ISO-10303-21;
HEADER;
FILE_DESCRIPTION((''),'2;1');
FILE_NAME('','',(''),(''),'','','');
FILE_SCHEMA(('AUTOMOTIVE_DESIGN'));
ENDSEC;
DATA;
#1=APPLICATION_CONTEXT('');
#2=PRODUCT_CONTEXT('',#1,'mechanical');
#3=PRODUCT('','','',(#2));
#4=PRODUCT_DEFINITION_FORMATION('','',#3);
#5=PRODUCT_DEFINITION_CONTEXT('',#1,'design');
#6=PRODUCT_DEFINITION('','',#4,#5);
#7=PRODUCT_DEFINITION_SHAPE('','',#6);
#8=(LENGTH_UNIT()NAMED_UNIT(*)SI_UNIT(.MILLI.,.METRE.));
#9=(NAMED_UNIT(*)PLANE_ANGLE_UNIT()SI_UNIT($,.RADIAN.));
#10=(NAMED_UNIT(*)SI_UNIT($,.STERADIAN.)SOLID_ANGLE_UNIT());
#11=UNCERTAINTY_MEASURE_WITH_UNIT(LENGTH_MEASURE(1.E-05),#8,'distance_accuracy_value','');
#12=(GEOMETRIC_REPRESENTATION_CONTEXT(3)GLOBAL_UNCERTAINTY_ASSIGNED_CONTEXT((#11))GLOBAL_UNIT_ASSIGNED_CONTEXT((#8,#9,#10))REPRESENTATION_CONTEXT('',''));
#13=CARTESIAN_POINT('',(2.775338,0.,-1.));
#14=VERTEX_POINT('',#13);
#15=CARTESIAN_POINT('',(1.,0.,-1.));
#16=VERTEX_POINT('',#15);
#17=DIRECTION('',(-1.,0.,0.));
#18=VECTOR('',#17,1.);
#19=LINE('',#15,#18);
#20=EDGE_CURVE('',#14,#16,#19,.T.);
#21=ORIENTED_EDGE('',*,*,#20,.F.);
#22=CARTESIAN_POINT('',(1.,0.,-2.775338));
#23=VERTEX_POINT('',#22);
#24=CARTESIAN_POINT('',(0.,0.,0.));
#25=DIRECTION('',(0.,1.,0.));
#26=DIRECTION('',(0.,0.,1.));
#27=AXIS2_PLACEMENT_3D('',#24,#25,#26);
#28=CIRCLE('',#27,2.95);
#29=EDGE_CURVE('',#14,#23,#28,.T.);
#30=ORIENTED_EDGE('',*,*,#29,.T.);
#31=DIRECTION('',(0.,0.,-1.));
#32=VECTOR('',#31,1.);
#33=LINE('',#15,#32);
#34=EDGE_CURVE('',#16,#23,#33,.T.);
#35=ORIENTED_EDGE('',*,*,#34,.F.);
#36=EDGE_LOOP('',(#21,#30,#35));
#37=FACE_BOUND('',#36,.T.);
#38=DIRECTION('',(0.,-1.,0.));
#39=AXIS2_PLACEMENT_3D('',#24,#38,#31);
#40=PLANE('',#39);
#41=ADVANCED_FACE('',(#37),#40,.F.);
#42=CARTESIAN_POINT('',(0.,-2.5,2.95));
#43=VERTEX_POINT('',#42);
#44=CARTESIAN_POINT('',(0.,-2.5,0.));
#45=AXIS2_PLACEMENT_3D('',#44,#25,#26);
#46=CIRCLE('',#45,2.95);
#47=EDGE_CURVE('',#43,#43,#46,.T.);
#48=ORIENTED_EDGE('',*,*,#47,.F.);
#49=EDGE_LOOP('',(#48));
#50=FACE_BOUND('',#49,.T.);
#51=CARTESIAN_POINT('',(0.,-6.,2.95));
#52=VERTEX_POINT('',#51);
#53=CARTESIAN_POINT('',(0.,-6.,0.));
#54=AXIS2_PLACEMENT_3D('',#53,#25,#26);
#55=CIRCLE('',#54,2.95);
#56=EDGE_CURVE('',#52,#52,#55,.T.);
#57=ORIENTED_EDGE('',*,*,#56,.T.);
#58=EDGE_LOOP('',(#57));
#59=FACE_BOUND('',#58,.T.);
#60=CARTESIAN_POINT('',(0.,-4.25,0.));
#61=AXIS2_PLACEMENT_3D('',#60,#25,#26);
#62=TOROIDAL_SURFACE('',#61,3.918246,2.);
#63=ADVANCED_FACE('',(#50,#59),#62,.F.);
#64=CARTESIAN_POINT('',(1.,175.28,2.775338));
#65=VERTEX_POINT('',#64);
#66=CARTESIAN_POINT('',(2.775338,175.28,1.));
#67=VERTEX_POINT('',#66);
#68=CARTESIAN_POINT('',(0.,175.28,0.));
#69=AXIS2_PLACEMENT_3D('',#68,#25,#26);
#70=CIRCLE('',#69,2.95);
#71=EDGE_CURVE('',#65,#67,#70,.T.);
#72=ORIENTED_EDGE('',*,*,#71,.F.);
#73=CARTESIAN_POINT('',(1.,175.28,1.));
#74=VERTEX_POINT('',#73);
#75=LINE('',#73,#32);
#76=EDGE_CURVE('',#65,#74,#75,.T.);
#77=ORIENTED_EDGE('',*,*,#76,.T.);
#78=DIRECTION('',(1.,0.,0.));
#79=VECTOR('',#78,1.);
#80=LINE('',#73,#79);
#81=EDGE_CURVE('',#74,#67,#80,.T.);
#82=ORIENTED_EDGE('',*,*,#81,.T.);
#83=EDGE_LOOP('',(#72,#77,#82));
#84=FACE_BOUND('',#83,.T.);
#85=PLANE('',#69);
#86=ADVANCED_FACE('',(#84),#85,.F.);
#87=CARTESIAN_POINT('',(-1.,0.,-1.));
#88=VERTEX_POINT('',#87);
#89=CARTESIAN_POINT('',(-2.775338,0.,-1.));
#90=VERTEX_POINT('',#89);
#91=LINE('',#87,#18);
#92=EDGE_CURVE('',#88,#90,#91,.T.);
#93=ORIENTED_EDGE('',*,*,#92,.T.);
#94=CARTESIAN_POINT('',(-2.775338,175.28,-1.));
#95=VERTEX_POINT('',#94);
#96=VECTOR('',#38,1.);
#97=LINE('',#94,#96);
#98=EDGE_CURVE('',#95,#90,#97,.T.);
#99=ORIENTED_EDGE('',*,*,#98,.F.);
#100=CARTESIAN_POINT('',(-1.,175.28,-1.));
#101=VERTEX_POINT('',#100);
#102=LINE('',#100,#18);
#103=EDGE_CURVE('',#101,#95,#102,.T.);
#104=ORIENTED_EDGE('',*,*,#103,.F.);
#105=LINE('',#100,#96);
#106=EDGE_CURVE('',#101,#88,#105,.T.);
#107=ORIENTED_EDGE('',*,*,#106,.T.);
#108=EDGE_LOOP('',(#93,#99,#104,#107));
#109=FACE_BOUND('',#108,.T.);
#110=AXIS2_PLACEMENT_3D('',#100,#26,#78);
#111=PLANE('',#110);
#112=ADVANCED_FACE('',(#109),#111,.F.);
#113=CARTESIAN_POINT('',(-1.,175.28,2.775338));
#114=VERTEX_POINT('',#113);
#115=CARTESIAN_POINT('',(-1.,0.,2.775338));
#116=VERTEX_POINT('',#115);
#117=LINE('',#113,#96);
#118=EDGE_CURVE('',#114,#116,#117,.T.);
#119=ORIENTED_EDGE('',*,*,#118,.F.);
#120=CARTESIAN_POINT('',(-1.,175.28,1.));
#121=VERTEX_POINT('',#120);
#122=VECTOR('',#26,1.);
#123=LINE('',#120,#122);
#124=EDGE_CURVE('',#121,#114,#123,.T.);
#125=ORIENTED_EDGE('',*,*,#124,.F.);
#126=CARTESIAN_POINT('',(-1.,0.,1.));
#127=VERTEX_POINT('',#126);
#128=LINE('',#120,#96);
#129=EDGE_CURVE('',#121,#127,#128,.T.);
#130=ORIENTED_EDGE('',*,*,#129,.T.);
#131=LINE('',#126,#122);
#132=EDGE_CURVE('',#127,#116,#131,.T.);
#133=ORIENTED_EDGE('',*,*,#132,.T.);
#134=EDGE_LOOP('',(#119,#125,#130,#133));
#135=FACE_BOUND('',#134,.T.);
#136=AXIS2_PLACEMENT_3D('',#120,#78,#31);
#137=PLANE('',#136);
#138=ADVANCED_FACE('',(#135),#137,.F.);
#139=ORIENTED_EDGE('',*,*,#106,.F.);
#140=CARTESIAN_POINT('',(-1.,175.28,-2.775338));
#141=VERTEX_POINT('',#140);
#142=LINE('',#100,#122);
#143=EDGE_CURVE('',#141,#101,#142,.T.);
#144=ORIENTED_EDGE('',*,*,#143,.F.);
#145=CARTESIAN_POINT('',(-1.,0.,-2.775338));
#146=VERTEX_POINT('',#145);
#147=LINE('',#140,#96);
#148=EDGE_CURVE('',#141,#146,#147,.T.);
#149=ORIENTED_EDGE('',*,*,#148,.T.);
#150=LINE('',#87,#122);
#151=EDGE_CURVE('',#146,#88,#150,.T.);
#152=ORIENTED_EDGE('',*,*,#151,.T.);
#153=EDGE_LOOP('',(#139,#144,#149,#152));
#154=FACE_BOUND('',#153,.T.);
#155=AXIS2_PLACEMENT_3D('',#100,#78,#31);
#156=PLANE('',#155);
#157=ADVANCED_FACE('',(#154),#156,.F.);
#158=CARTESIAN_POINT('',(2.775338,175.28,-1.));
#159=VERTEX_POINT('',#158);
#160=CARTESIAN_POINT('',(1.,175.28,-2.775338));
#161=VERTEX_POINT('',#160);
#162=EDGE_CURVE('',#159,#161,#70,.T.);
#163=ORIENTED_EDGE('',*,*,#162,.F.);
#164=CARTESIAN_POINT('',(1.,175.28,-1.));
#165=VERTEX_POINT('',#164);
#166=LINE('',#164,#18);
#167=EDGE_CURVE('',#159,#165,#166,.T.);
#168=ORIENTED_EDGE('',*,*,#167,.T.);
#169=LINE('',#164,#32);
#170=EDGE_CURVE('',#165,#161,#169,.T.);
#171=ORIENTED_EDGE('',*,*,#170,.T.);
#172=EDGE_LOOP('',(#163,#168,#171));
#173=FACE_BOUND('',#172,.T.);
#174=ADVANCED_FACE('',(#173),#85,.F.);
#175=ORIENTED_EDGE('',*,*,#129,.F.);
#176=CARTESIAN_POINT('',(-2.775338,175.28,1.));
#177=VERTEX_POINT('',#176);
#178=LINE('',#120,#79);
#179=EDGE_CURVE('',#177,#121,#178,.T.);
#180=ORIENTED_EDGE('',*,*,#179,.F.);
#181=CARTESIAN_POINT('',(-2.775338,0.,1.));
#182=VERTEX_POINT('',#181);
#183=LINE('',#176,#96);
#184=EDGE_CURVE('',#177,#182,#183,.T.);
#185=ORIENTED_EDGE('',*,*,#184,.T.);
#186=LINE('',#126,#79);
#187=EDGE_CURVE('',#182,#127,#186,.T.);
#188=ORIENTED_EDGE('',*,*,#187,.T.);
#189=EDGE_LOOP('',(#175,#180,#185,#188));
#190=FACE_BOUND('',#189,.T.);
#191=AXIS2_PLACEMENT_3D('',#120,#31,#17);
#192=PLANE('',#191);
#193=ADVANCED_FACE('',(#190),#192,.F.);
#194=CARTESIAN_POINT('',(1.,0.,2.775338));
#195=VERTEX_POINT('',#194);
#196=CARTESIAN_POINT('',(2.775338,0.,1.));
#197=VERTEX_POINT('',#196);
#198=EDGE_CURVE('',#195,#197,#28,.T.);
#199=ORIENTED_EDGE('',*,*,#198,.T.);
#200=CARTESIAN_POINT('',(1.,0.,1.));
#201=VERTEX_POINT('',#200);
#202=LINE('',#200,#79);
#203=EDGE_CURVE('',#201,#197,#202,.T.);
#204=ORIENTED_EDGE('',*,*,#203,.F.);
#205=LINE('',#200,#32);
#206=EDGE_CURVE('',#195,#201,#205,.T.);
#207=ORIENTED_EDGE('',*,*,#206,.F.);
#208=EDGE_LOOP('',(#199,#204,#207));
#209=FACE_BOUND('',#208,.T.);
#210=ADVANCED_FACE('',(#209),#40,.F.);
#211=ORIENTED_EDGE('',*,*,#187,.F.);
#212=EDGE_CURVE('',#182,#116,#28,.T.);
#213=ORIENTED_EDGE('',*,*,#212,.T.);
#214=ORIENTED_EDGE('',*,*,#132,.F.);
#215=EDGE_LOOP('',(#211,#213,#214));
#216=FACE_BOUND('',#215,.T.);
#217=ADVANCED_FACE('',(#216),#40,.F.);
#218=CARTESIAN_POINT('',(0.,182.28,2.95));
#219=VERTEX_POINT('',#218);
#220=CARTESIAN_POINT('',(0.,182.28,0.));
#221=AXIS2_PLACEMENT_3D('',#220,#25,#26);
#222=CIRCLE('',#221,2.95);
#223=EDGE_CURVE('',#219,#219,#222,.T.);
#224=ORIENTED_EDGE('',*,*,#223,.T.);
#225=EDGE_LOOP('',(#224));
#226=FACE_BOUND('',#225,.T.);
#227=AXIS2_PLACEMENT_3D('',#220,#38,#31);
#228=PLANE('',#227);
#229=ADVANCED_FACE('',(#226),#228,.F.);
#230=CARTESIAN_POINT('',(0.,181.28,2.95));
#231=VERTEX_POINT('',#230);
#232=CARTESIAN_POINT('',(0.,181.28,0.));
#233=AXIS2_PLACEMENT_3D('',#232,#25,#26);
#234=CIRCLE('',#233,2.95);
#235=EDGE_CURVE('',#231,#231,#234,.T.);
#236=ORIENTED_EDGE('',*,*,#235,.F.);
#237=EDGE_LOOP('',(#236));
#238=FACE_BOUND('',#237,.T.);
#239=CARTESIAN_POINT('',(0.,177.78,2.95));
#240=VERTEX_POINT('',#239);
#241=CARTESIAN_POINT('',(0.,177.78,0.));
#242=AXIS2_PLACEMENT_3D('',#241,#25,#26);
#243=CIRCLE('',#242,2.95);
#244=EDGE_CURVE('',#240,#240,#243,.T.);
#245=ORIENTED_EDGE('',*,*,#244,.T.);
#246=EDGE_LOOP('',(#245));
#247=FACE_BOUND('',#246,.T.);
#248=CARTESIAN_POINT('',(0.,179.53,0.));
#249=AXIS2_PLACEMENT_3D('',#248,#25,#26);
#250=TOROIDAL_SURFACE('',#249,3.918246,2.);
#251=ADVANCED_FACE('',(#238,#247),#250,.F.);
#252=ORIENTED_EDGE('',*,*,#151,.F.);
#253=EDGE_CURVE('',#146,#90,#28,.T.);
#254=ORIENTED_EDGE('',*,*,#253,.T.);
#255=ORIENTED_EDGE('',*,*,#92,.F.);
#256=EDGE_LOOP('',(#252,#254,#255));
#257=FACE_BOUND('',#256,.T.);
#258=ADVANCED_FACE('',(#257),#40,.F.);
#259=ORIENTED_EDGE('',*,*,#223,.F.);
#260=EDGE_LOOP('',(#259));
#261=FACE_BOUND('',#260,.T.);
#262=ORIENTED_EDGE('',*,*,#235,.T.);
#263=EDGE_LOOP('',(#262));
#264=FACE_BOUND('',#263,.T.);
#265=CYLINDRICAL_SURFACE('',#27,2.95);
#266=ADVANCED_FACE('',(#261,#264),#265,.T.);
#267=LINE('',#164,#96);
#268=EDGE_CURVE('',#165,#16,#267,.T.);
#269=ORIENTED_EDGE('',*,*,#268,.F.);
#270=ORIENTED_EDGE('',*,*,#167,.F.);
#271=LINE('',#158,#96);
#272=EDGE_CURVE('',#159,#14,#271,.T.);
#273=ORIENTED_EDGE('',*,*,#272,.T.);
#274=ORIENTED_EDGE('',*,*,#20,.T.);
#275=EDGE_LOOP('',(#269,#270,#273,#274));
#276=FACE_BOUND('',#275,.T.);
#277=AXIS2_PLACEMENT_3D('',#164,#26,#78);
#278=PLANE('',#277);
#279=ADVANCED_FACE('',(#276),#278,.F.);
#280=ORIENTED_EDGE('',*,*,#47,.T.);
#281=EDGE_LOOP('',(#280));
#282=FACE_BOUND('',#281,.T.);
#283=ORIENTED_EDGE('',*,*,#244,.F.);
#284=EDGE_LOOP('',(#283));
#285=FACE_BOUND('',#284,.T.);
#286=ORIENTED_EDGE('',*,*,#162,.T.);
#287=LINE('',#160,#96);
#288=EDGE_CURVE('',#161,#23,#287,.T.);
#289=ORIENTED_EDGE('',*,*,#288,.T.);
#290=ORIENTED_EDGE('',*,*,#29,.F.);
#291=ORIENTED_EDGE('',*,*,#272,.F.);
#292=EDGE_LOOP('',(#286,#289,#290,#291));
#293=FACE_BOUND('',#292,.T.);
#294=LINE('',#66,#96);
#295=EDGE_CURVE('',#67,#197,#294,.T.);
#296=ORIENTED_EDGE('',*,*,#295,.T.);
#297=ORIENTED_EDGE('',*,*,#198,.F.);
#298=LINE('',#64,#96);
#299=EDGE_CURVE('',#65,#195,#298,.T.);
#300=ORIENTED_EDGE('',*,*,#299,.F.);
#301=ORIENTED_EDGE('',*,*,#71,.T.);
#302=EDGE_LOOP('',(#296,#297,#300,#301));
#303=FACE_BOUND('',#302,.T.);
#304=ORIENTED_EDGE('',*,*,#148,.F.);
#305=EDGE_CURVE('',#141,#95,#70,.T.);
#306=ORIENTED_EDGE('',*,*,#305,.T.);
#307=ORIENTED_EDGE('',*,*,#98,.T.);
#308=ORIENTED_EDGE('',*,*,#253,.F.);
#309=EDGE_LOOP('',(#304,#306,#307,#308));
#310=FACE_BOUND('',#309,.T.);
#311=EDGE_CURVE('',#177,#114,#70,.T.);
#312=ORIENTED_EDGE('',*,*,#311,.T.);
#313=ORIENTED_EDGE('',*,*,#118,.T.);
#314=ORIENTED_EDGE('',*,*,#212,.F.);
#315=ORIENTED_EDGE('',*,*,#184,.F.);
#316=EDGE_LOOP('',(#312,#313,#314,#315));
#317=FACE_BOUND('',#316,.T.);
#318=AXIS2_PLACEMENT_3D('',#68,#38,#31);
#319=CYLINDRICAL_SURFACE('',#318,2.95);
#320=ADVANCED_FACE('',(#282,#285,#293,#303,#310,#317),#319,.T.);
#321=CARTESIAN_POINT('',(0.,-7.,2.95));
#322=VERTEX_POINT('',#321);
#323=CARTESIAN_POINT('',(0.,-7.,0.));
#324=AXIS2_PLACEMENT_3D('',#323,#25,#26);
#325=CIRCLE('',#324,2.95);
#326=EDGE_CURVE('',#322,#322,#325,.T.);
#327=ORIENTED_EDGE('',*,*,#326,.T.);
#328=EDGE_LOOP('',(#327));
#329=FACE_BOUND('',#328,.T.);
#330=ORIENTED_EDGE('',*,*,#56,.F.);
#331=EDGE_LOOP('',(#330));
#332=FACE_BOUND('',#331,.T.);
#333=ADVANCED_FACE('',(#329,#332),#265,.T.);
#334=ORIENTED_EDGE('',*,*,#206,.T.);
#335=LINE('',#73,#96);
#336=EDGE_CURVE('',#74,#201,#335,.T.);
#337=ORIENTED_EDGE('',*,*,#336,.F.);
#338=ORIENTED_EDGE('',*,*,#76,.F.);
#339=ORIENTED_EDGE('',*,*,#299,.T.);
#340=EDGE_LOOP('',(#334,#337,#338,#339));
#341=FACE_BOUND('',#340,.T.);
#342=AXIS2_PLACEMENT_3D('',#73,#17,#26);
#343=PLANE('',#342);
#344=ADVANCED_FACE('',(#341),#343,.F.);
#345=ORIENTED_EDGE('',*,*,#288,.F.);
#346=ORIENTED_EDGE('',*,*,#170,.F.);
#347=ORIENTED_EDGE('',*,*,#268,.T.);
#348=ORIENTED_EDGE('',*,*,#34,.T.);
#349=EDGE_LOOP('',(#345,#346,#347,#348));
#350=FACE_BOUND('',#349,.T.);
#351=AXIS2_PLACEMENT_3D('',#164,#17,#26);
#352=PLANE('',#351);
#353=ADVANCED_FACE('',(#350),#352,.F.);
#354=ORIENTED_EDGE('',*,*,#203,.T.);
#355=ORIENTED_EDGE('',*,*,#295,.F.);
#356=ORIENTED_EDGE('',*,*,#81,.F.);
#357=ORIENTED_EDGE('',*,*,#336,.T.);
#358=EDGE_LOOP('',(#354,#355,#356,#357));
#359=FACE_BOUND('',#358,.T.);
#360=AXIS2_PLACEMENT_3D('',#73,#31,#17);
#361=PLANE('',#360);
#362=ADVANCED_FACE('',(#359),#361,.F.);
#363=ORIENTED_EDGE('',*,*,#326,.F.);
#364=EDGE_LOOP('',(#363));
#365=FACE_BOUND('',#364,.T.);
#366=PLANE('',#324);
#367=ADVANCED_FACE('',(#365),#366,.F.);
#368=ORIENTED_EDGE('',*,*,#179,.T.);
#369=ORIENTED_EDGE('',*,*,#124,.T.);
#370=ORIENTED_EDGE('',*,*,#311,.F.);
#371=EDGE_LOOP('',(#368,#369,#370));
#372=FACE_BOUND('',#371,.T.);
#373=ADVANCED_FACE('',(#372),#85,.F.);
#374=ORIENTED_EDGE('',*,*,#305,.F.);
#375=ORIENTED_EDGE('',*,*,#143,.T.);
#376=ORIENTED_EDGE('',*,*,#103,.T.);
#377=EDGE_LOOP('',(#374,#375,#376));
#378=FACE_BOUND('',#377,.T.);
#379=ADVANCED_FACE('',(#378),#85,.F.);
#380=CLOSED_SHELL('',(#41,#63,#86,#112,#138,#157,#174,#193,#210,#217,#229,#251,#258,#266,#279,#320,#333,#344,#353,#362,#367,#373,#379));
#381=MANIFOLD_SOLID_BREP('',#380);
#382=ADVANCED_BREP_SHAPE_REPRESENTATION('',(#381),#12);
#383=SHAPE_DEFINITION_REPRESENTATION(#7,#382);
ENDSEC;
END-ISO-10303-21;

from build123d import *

# Parameters (mm, degrees)
EXTRUDE_2_DEPTH = 175.28


with BuildPart() as part:
    # 草图1 → 凸台-拉伸2 (new body)
    with BuildSketch(Plane(origin=(0, 0, 0), x_dir=(1, 0, 0), z_dir=(0, 1, 0))):
        with BuildLine():
            Line((1, 1), (1, 2.775338))
            ThreePointArc((1, 2.775338), (0, 2.95), (-1, 2.775338))
            Line((-1, 2.775338), (-1, 1))
            Line((-1, 1), (-2.775338, 1))
            ThreePointArc((-2.775338, 1), (-2.95, 0), (-2.775338, -1))
            Line((-2.775338, -1), (-1, -1))
            Line((-1, -1), (-1, -2.775338))
            ThreePointArc((-1, -2.775338), (0, -2.95), (1, -2.775338))
            Line((1, -2.775338), (1, -1))
            Line((1, -1), (2.775338, -1))
            ThreePointArc((2.775338, -1), (2.95, 0), (2.775338, 1))
            Line((2.775338, 1), (1, 1))
        make_face()
    extrude(amount=EXTRUDE_2_DEPTH)

    # 草图3 → 旋转3 (revolve)
    with BuildSketch(Plane(origin=(0, 0, 0), x_dir=(0, 0, -1), z_dir=(1, 0, 0))):
        with BuildLine():
            Line((0, 175.28), (0, 182.28))
            Line((0, 182.28), (2.95, 182.28))
            Line((2.95, 182.28), (2.95, 181.28))
            ThreePointArc((2.95, 181.28), (1.918246, 179.53), (2.95, 177.78))
            Line((2.95, 177.78), (2.95, 175.28))
            Line((2.95, 175.28), (0, 175.28))
        make_face()
        with BuildLine():
            Line((0, 0), (0, -7))
            Line((0, -7), (2.95, -7))
            Line((2.95, -7), (2.95, -6))
            ThreePointArc((2.95, -6), (1.918246, -4.25), (2.95, -2.5))
            Line((2.95, -2.5), (2.95, 0))
            Line((2.95, 0), (0, 0))
        make_face()
    revolve(axis=Axis((0, 0, 0), (0, -1, 0)))


solid = part.part
